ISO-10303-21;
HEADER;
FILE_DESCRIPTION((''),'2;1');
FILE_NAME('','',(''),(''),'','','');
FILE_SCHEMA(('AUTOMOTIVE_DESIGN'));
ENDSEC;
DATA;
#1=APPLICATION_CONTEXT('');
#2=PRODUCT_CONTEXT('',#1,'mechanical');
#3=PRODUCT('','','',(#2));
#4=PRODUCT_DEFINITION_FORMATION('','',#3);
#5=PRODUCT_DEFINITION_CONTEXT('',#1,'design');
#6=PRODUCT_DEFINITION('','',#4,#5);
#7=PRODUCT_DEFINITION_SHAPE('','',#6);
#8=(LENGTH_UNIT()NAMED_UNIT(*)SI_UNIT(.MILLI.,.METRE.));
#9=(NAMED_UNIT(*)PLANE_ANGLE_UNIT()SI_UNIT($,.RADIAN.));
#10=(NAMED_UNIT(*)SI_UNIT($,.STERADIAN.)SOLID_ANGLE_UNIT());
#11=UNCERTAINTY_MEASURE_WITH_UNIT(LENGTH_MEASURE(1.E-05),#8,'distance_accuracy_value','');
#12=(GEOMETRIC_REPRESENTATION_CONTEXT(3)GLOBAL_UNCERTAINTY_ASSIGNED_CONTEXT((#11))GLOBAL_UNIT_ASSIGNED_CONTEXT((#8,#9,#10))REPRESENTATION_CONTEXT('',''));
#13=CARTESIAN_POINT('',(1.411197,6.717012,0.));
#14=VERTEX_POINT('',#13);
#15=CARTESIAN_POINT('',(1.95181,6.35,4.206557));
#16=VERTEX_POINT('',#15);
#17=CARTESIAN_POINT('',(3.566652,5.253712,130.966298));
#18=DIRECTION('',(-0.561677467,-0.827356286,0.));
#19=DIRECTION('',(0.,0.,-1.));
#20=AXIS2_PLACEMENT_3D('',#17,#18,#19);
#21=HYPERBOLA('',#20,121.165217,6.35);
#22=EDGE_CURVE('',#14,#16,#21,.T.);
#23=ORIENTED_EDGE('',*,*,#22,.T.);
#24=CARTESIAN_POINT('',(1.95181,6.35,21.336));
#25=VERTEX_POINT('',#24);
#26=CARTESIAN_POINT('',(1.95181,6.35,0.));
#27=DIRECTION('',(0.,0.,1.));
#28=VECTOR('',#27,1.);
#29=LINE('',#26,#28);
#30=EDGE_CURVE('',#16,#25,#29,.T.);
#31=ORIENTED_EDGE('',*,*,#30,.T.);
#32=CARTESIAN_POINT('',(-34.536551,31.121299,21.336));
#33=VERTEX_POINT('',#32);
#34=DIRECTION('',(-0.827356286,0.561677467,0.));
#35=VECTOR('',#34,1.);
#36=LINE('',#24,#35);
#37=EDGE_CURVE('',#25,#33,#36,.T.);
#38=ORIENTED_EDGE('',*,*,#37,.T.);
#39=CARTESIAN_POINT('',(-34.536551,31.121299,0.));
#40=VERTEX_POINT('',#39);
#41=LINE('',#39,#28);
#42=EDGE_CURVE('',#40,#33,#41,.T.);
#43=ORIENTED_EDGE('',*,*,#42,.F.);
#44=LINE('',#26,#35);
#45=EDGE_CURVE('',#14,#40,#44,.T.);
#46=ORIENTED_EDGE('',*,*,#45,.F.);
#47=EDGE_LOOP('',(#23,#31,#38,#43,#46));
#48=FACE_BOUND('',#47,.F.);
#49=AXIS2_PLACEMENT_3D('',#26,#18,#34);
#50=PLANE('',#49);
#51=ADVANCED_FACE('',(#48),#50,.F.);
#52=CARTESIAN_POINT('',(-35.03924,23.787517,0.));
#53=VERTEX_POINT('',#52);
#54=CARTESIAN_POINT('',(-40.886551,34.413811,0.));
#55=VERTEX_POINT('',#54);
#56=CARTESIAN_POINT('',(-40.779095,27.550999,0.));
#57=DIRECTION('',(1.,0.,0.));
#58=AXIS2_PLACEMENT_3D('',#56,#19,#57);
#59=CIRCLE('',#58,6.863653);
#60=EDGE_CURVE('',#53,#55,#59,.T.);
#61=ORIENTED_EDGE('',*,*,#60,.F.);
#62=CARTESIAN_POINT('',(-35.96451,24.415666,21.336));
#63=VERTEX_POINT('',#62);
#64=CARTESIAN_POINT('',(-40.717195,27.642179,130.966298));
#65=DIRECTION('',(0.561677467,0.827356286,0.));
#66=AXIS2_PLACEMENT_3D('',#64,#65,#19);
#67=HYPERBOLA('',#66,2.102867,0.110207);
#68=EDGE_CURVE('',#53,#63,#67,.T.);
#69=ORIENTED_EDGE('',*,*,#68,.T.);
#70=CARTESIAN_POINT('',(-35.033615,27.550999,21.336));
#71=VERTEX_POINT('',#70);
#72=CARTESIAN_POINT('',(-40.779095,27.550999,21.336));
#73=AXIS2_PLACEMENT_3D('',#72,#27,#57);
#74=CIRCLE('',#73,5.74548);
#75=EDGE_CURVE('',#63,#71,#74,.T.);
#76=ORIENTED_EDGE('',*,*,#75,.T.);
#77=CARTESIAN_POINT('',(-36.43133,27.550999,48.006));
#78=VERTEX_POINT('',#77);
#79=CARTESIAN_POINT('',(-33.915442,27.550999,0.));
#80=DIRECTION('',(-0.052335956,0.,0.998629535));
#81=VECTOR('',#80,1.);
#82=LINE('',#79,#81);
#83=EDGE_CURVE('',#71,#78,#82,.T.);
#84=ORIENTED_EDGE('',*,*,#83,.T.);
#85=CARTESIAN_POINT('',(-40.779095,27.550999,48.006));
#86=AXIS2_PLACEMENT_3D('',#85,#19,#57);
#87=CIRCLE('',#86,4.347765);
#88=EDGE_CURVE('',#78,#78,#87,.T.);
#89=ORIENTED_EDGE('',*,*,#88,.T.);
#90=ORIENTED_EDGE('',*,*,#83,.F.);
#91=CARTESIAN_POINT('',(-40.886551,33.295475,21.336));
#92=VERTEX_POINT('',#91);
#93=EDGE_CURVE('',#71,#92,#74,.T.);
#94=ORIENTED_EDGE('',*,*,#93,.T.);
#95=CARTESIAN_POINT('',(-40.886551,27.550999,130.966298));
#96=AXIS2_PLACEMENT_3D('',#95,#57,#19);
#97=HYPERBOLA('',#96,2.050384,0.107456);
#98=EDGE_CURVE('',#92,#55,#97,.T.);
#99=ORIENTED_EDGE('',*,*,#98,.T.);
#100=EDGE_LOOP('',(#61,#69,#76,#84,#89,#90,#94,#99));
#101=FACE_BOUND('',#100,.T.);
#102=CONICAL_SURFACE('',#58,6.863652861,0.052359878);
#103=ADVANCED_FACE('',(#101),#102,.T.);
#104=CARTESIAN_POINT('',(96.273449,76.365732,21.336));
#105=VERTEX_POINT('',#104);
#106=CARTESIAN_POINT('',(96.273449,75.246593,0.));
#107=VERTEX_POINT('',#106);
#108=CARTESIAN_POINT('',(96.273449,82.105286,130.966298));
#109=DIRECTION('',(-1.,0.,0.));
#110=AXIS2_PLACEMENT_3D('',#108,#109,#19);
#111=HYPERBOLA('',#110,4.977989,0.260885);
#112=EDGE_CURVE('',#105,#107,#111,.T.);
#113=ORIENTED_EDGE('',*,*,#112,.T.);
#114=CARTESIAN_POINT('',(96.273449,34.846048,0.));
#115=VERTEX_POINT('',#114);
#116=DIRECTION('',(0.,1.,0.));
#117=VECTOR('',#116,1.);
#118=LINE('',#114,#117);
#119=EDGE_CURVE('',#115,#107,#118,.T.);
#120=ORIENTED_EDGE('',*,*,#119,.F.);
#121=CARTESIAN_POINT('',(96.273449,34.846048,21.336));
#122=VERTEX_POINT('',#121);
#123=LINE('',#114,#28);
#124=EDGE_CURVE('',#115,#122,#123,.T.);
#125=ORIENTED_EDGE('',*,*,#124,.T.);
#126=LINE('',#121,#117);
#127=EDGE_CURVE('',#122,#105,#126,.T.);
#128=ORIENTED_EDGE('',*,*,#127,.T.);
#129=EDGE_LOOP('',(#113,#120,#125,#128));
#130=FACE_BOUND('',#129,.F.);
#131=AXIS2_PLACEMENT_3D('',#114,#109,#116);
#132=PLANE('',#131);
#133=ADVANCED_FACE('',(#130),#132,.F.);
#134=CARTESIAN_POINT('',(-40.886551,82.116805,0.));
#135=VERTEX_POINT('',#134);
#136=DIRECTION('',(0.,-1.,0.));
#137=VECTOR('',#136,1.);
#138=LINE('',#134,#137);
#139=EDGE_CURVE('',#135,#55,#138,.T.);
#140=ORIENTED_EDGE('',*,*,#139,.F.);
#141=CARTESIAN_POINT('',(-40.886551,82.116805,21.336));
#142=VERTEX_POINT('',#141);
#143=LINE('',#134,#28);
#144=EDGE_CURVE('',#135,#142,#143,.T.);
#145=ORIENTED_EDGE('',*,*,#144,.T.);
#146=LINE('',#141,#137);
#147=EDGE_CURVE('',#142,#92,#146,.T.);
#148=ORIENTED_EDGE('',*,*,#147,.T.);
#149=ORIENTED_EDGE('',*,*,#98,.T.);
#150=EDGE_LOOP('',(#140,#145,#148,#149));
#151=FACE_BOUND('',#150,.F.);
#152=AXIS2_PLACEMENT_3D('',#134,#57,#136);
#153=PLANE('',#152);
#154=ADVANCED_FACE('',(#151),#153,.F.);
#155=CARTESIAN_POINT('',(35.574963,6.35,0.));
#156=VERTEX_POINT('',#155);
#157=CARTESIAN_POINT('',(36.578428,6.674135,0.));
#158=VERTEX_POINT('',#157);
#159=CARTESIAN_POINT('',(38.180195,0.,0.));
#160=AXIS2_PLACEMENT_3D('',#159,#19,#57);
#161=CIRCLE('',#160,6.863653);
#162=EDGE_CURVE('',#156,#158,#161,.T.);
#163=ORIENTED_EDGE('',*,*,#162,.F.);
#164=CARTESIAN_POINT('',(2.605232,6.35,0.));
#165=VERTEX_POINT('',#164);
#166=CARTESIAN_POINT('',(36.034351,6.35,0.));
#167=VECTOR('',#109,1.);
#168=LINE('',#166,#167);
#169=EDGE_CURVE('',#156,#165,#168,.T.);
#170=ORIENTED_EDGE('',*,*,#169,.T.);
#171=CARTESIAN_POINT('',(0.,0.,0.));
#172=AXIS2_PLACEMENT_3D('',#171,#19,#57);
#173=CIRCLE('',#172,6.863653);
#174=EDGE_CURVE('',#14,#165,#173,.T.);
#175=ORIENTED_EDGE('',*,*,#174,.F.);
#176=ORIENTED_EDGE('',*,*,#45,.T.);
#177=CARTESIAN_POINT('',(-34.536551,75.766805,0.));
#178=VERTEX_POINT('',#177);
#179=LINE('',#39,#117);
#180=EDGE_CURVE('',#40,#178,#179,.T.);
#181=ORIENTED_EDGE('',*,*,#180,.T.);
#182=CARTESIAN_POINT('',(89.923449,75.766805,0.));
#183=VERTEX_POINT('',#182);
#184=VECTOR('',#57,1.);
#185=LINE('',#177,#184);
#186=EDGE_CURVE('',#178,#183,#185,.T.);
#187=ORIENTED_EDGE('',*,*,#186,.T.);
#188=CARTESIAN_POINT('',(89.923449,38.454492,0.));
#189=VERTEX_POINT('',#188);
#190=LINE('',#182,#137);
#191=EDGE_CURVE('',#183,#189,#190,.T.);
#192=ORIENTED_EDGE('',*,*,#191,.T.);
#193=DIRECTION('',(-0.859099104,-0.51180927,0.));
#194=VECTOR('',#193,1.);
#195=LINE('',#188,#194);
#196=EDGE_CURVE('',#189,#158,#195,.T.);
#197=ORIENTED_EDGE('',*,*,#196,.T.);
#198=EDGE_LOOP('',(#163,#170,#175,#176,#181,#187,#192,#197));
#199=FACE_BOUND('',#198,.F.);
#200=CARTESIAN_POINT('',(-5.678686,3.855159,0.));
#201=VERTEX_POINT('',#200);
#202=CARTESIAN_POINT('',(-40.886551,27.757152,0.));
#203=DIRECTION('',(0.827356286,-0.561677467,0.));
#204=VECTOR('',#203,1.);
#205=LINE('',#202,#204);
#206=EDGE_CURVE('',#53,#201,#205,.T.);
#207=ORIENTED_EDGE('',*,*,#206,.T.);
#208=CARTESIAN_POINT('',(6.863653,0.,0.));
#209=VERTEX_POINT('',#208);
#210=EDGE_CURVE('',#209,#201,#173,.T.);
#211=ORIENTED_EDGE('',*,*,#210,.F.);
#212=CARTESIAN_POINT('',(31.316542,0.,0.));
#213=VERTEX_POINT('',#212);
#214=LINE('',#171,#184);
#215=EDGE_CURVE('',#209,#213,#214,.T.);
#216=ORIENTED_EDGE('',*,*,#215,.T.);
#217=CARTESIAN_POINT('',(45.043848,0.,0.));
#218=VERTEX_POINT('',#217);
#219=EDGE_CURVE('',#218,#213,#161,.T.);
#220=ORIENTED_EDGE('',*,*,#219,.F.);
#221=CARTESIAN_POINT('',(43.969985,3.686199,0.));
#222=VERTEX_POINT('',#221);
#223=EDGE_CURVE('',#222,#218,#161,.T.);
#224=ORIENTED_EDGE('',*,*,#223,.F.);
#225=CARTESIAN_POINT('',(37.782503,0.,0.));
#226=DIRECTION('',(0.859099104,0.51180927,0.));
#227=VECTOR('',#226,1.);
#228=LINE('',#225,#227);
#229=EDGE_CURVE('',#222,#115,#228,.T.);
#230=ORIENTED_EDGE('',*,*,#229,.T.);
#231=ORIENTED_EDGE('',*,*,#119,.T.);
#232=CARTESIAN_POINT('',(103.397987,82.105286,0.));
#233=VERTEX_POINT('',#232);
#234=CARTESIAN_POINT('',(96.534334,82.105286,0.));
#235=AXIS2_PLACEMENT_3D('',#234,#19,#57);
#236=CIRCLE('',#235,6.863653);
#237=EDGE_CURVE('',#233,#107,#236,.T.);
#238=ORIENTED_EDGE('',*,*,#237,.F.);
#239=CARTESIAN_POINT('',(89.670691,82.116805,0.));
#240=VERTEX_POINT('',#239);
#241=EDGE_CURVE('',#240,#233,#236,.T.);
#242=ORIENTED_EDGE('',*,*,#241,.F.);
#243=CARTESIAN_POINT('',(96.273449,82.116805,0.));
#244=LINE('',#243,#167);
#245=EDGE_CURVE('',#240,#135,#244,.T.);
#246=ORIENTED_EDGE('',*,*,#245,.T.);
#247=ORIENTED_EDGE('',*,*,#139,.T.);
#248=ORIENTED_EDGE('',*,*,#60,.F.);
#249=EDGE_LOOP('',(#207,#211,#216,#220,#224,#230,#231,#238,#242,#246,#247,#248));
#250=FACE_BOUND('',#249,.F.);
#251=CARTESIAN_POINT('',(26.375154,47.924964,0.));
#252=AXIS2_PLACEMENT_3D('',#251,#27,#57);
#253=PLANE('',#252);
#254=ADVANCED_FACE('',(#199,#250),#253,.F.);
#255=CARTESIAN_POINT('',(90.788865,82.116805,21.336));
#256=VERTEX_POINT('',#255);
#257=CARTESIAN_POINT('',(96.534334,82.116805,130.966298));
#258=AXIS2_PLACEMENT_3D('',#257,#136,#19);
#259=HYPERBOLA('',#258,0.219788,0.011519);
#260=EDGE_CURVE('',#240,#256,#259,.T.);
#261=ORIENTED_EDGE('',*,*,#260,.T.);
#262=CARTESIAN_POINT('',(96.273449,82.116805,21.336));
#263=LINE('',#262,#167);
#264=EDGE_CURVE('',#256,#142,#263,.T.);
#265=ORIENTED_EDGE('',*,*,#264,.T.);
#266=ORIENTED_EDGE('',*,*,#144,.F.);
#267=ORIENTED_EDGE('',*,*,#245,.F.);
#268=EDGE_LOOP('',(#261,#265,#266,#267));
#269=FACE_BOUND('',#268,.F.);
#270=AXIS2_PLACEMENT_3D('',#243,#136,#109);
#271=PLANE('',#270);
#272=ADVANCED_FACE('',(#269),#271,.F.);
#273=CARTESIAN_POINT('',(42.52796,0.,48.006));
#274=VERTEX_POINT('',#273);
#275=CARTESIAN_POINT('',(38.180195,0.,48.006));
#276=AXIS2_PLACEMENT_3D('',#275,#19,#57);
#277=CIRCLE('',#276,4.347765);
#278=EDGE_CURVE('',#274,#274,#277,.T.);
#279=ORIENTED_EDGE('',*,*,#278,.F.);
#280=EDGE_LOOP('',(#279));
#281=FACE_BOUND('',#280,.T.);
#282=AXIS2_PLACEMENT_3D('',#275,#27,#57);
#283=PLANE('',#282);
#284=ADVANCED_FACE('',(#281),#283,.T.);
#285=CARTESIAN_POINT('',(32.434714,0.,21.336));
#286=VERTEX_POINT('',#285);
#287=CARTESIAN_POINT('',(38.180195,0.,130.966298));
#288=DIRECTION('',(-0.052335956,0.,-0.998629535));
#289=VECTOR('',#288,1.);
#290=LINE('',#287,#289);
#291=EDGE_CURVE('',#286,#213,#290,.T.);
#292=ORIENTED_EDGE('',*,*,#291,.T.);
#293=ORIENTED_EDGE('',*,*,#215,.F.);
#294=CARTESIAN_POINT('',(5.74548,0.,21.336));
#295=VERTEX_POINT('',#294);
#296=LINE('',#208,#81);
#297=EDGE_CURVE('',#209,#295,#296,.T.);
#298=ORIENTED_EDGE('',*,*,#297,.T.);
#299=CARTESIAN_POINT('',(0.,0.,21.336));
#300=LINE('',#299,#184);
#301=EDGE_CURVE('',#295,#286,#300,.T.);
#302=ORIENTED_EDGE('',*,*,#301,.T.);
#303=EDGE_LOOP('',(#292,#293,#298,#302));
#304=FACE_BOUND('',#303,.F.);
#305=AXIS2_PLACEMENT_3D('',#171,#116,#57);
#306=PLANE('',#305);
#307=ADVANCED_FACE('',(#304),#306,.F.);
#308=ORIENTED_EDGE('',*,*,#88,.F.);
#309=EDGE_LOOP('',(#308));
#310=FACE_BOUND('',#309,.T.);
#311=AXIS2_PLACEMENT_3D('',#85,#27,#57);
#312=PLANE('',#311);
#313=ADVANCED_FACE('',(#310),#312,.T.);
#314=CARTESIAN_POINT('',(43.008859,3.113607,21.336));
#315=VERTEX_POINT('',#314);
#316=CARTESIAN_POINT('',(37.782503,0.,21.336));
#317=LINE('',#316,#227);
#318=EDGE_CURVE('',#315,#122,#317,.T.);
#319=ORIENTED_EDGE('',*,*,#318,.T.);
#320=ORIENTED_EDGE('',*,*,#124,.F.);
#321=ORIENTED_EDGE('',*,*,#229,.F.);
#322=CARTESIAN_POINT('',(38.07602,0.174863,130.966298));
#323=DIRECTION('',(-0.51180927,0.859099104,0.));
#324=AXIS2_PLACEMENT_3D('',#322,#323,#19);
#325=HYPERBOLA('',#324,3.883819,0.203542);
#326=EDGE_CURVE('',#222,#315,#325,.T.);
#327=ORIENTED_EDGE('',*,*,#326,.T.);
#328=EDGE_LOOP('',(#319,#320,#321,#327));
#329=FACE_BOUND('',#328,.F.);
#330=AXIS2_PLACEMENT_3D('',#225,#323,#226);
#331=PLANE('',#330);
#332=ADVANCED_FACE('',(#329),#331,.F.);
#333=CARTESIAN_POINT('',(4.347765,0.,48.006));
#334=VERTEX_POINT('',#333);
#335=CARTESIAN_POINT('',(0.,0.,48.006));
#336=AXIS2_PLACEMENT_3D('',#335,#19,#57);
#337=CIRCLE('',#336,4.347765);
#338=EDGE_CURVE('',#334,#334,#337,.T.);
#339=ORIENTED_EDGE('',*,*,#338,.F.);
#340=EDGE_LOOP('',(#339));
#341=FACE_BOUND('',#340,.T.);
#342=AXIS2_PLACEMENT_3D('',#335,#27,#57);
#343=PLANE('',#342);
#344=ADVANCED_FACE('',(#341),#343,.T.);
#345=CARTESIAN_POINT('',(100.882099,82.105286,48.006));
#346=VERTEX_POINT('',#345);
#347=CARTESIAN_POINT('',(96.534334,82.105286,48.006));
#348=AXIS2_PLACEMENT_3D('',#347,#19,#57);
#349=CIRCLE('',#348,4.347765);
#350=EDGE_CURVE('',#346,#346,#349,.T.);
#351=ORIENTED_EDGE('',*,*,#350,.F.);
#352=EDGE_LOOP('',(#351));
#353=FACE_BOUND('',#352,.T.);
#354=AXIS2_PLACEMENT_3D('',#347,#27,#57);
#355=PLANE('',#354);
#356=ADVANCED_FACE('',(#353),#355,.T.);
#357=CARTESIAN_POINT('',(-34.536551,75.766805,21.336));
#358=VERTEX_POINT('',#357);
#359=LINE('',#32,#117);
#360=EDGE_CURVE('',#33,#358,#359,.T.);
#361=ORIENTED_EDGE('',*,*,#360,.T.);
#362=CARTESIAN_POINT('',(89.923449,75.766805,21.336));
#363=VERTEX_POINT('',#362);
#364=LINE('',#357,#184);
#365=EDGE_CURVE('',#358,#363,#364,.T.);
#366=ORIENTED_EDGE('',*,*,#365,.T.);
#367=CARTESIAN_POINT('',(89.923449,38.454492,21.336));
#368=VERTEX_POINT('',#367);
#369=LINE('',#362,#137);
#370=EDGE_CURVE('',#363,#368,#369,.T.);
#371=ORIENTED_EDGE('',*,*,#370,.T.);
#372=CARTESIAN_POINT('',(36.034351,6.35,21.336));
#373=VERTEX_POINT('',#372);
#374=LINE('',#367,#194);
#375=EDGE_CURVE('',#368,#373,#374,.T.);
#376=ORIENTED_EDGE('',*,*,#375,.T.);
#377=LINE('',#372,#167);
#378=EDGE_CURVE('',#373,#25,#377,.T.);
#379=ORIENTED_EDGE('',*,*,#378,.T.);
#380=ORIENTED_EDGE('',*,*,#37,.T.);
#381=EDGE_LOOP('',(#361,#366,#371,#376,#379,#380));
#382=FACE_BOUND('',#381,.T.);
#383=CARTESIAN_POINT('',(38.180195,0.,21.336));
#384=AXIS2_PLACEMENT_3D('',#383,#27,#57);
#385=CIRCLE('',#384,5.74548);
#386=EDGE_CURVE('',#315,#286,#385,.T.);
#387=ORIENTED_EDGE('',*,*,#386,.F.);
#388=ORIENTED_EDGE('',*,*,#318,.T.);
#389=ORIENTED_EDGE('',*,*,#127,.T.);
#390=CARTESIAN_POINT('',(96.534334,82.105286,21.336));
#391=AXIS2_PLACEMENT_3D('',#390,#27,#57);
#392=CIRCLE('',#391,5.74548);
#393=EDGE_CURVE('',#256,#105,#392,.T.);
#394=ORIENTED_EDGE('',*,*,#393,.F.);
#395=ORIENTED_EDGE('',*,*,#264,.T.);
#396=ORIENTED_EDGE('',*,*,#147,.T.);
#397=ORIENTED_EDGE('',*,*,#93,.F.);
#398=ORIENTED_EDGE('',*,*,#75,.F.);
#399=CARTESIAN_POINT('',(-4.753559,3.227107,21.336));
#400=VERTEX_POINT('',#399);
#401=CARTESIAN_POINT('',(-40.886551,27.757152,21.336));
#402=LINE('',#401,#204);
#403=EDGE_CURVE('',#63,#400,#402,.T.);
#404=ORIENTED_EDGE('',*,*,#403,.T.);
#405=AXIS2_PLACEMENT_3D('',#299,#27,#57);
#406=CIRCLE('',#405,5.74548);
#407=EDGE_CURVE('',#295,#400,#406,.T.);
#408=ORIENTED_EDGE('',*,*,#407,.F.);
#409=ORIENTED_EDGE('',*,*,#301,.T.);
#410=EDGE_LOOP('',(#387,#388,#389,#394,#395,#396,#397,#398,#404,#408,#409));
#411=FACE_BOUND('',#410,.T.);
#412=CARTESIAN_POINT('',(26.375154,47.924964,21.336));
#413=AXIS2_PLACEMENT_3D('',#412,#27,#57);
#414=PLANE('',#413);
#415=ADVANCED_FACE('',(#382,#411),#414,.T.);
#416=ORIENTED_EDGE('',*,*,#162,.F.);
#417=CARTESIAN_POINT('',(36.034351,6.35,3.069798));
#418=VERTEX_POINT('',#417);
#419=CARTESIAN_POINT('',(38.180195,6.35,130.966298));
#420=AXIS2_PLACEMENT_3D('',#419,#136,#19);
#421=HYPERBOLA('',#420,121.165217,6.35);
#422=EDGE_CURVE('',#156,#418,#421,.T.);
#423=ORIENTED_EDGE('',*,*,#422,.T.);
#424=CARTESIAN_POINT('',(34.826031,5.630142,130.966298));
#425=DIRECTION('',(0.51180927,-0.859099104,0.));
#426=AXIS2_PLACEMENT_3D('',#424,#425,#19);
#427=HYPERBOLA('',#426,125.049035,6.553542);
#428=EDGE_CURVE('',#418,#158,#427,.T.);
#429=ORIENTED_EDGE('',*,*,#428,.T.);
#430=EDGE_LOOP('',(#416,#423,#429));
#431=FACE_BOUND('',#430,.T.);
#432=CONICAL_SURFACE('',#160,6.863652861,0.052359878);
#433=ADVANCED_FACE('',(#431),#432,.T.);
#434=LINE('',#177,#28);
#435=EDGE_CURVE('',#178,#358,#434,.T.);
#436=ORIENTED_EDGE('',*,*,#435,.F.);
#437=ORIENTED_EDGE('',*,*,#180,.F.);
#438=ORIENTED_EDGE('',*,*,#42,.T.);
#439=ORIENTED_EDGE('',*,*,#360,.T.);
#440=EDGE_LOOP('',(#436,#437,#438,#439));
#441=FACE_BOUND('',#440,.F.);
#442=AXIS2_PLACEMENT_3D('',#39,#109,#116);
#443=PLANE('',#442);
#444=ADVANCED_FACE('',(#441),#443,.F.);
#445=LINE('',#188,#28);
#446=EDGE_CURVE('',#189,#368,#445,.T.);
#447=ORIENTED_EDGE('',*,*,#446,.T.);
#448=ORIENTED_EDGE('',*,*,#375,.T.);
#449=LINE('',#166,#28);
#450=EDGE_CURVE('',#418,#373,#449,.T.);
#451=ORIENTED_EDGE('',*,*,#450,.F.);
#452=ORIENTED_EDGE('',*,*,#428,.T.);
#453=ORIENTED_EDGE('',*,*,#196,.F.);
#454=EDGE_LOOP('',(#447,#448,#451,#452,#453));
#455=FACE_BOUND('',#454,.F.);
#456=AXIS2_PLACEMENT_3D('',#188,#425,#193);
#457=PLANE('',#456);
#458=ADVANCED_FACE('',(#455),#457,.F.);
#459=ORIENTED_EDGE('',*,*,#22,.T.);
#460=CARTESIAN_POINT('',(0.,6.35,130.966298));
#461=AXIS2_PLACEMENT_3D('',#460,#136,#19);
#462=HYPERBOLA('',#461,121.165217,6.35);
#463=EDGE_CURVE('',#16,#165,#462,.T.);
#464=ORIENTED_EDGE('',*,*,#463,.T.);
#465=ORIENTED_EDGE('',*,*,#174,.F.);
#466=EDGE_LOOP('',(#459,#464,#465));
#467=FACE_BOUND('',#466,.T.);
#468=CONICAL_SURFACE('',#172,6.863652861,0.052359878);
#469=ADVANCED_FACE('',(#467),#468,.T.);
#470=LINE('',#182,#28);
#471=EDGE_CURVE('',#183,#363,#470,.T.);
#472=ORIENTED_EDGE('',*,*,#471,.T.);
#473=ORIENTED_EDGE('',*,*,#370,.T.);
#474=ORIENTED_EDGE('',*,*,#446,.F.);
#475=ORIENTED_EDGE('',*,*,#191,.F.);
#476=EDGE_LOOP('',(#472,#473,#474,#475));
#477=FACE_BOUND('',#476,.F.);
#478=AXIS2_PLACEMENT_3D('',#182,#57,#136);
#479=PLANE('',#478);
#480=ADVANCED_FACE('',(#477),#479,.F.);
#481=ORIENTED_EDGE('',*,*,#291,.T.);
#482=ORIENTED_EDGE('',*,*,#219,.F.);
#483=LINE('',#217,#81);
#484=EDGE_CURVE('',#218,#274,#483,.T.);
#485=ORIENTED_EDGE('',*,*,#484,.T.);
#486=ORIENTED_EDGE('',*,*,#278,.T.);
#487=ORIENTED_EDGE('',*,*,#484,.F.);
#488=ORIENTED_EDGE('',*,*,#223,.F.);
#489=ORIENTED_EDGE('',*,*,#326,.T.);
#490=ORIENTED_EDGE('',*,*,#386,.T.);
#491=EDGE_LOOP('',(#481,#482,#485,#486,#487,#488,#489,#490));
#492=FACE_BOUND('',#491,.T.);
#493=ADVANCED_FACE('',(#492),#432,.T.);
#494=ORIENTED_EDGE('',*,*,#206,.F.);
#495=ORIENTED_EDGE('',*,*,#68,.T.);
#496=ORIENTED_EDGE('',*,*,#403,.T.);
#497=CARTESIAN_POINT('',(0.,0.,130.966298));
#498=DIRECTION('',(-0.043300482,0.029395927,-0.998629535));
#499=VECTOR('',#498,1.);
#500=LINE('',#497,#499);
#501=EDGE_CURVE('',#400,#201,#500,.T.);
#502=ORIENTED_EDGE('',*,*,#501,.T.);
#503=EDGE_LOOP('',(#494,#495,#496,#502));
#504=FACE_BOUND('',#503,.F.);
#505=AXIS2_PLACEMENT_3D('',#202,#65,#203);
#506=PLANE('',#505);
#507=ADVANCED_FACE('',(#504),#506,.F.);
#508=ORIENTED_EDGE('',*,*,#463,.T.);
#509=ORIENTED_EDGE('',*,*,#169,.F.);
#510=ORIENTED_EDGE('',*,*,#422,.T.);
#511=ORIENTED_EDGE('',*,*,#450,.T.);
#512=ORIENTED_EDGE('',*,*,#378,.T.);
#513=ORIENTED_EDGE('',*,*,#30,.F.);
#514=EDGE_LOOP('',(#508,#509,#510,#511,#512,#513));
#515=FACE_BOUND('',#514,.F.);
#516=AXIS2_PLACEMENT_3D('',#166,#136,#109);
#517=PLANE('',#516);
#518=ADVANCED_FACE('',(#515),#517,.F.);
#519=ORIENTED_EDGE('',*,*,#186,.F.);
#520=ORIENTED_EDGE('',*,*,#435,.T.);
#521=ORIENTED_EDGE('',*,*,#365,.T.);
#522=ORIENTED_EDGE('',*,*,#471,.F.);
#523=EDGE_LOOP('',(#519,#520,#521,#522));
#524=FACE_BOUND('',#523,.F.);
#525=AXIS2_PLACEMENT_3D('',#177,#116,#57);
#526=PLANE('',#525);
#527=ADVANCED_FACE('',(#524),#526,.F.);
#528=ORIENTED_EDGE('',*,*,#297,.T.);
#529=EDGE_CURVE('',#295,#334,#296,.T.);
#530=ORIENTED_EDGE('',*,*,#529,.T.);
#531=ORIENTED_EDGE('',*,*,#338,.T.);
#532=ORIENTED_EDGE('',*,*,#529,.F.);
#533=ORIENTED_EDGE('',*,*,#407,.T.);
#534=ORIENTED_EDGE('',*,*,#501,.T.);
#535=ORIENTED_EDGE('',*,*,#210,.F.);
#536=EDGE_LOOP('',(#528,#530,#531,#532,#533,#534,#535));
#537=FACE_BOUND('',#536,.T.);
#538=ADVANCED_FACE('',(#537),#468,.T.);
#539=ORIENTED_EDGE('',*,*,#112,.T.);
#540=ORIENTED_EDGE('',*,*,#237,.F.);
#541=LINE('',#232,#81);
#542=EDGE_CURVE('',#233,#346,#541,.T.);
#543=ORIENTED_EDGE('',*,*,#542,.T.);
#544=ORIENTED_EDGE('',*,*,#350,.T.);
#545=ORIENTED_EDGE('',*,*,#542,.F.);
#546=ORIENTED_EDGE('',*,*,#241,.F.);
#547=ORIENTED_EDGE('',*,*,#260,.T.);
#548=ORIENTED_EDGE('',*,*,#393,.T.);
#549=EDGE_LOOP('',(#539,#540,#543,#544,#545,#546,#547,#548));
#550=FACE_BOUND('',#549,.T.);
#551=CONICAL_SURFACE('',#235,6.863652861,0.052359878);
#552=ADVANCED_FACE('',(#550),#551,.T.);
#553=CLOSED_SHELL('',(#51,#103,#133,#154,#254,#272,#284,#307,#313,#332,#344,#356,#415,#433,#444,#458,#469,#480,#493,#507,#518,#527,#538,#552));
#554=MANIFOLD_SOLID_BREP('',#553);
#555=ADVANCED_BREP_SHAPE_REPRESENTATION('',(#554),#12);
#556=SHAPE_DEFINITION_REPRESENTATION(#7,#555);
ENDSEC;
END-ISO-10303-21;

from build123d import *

# Parameters (mm, degrees)
F1_DEPTH = 21.336
F2_R     = 6.8636528609
F3_DEPTH = 48.006
F3_TAPER = 3


with BuildPart() as f1:
    # F0 (on Top) → F1 (new body)
    with BuildSketch(Plane.XY):
        Polygon((96.2734487839, 82.116805017), (-40.8865512161, 82.116805017), (-40.8865512161, 27.7571524011), (0, 0), (37.7825030637, 0), (96.2734487839, 34.8460475412), align=None)
        Polygon((89.9234488606, 75.7668050937), (89.9234488606, 38.4544916451), (36.0343505215, 6.3499999233), (1.9518097804, 6.3499999233), (-34.5365512928, 31.1212992638), (-34.5365512928, 75.7668050937), align=None, mode=Mode.SUBTRACT)
    extrude(amount=F1_DEPTH)

    # F2 (on Top) → F3 (join)
    with BuildSketch(Plane.XY):
        Circle(F2_R)
        with Locations((38.1801947951, 0)):
            Circle(F2_R)
        with Locations((96.5343341231, 82.1052864194)):
            Circle(F2_R)
        with Locations((-40.7790951431, 27.5509990752)):
            Circle(F2_R)
    extrude(amount=F3_DEPTH, taper=F3_TAPER)


solid = f1.part
